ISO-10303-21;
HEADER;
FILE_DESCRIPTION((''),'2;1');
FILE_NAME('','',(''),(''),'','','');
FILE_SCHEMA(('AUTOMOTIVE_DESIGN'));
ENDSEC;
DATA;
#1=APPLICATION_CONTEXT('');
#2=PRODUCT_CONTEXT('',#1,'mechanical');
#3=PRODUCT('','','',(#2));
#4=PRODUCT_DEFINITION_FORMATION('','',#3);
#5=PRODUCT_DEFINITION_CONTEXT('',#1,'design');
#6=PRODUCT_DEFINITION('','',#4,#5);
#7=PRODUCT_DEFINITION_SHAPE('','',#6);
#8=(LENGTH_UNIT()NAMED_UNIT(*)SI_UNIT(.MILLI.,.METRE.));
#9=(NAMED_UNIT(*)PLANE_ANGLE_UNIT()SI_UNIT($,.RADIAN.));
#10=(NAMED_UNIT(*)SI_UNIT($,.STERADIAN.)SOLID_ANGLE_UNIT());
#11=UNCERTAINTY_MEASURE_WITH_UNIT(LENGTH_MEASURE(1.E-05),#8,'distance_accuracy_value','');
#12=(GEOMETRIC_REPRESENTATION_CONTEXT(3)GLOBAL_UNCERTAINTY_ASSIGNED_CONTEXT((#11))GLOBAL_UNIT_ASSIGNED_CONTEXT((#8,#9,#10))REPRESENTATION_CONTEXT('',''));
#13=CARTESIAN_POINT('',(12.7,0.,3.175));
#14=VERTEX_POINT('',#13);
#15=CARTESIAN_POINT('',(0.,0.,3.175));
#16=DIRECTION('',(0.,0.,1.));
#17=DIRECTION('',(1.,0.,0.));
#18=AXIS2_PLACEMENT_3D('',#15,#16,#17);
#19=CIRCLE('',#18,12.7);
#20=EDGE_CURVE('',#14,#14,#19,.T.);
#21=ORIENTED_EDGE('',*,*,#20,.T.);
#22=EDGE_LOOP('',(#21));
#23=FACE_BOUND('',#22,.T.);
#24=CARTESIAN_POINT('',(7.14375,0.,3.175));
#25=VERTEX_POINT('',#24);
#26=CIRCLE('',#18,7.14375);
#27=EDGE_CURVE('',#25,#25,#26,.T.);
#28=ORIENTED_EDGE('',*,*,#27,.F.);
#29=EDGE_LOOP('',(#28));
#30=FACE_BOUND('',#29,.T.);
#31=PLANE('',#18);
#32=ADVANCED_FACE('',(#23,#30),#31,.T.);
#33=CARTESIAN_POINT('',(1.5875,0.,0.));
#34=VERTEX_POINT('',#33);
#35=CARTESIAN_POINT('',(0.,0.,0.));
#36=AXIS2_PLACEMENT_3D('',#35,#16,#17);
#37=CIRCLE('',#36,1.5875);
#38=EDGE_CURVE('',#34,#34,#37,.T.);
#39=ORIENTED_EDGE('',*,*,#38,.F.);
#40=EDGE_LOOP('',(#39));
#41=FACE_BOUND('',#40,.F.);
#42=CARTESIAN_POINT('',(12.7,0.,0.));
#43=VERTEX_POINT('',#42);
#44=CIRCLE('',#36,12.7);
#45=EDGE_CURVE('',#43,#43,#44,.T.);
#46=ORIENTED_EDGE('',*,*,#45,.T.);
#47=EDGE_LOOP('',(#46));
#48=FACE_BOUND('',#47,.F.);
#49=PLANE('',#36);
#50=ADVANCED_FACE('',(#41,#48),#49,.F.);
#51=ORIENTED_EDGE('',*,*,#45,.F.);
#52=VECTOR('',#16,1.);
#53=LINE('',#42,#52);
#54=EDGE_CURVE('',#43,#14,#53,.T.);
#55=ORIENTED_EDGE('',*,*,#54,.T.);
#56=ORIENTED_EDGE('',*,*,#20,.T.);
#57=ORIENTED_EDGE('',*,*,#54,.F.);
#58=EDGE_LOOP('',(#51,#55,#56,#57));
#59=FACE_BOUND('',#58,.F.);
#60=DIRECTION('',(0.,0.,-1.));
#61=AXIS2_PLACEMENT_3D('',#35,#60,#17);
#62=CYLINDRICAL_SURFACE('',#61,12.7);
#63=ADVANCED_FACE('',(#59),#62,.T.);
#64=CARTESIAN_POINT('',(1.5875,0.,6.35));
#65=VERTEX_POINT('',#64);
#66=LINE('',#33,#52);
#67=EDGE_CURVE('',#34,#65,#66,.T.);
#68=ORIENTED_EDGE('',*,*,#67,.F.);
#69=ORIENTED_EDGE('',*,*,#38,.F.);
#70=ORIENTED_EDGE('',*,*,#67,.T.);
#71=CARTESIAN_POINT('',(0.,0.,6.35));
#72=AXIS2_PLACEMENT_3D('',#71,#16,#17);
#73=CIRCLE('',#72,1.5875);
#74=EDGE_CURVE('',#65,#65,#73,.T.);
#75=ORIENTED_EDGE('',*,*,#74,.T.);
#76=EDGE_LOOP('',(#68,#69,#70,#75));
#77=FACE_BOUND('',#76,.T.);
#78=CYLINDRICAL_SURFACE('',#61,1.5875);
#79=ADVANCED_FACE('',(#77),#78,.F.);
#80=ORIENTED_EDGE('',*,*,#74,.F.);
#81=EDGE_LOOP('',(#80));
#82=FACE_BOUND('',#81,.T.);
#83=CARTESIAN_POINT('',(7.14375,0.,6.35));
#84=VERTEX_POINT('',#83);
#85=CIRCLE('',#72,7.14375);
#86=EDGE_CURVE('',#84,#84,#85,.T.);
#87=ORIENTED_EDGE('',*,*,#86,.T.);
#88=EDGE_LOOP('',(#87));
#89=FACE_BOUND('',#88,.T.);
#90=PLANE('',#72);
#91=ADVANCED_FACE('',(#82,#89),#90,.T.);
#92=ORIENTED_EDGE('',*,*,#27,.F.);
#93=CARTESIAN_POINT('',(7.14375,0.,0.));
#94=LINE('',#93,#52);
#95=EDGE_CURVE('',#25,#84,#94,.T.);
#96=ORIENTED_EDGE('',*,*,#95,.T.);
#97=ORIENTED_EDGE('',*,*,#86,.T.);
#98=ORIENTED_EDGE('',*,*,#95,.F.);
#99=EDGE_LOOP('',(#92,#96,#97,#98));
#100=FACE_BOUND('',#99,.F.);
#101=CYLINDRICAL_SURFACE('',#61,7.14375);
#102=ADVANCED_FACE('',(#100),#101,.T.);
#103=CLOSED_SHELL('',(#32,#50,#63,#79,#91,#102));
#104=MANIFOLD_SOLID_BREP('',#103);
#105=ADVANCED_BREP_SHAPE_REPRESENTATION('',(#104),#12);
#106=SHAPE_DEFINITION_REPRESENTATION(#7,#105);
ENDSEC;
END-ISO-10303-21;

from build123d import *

# Parameters (mm, degrees)
F0_R     = 12.7
F0_R_2   = 7.14375
F1_DEPTH = 3.175
F0_R_3   = 1.5875
F2_DEPTH = 6.35
F3_DEPTH = 6.35


with BuildPart() as f1:
    # F0 (on Top) → F1 (new body)
    with BuildSketch(Plane.XY):
        Circle(F0_R)
        Circle(F0_R_2, mode=Mode.SUBTRACT)
    extrude(amount=F1_DEPTH)

    # F0 (on Top) → F2 (join)
    with BuildSketch(Plane.XY):
        Circle(F0_R_2)
        Circle(F0_R_3, mode=Mode.SUBTRACT)
    extrude(amount=F2_DEPTH)

    # F0 (on Top) → F3 (cut)
    with BuildSketch(Plane.XY):
        Circle(F0_R_3)
    extrude(amount=-F3_DEPTH, mode=Mode.SUBTRACT)


solid = f1.part
